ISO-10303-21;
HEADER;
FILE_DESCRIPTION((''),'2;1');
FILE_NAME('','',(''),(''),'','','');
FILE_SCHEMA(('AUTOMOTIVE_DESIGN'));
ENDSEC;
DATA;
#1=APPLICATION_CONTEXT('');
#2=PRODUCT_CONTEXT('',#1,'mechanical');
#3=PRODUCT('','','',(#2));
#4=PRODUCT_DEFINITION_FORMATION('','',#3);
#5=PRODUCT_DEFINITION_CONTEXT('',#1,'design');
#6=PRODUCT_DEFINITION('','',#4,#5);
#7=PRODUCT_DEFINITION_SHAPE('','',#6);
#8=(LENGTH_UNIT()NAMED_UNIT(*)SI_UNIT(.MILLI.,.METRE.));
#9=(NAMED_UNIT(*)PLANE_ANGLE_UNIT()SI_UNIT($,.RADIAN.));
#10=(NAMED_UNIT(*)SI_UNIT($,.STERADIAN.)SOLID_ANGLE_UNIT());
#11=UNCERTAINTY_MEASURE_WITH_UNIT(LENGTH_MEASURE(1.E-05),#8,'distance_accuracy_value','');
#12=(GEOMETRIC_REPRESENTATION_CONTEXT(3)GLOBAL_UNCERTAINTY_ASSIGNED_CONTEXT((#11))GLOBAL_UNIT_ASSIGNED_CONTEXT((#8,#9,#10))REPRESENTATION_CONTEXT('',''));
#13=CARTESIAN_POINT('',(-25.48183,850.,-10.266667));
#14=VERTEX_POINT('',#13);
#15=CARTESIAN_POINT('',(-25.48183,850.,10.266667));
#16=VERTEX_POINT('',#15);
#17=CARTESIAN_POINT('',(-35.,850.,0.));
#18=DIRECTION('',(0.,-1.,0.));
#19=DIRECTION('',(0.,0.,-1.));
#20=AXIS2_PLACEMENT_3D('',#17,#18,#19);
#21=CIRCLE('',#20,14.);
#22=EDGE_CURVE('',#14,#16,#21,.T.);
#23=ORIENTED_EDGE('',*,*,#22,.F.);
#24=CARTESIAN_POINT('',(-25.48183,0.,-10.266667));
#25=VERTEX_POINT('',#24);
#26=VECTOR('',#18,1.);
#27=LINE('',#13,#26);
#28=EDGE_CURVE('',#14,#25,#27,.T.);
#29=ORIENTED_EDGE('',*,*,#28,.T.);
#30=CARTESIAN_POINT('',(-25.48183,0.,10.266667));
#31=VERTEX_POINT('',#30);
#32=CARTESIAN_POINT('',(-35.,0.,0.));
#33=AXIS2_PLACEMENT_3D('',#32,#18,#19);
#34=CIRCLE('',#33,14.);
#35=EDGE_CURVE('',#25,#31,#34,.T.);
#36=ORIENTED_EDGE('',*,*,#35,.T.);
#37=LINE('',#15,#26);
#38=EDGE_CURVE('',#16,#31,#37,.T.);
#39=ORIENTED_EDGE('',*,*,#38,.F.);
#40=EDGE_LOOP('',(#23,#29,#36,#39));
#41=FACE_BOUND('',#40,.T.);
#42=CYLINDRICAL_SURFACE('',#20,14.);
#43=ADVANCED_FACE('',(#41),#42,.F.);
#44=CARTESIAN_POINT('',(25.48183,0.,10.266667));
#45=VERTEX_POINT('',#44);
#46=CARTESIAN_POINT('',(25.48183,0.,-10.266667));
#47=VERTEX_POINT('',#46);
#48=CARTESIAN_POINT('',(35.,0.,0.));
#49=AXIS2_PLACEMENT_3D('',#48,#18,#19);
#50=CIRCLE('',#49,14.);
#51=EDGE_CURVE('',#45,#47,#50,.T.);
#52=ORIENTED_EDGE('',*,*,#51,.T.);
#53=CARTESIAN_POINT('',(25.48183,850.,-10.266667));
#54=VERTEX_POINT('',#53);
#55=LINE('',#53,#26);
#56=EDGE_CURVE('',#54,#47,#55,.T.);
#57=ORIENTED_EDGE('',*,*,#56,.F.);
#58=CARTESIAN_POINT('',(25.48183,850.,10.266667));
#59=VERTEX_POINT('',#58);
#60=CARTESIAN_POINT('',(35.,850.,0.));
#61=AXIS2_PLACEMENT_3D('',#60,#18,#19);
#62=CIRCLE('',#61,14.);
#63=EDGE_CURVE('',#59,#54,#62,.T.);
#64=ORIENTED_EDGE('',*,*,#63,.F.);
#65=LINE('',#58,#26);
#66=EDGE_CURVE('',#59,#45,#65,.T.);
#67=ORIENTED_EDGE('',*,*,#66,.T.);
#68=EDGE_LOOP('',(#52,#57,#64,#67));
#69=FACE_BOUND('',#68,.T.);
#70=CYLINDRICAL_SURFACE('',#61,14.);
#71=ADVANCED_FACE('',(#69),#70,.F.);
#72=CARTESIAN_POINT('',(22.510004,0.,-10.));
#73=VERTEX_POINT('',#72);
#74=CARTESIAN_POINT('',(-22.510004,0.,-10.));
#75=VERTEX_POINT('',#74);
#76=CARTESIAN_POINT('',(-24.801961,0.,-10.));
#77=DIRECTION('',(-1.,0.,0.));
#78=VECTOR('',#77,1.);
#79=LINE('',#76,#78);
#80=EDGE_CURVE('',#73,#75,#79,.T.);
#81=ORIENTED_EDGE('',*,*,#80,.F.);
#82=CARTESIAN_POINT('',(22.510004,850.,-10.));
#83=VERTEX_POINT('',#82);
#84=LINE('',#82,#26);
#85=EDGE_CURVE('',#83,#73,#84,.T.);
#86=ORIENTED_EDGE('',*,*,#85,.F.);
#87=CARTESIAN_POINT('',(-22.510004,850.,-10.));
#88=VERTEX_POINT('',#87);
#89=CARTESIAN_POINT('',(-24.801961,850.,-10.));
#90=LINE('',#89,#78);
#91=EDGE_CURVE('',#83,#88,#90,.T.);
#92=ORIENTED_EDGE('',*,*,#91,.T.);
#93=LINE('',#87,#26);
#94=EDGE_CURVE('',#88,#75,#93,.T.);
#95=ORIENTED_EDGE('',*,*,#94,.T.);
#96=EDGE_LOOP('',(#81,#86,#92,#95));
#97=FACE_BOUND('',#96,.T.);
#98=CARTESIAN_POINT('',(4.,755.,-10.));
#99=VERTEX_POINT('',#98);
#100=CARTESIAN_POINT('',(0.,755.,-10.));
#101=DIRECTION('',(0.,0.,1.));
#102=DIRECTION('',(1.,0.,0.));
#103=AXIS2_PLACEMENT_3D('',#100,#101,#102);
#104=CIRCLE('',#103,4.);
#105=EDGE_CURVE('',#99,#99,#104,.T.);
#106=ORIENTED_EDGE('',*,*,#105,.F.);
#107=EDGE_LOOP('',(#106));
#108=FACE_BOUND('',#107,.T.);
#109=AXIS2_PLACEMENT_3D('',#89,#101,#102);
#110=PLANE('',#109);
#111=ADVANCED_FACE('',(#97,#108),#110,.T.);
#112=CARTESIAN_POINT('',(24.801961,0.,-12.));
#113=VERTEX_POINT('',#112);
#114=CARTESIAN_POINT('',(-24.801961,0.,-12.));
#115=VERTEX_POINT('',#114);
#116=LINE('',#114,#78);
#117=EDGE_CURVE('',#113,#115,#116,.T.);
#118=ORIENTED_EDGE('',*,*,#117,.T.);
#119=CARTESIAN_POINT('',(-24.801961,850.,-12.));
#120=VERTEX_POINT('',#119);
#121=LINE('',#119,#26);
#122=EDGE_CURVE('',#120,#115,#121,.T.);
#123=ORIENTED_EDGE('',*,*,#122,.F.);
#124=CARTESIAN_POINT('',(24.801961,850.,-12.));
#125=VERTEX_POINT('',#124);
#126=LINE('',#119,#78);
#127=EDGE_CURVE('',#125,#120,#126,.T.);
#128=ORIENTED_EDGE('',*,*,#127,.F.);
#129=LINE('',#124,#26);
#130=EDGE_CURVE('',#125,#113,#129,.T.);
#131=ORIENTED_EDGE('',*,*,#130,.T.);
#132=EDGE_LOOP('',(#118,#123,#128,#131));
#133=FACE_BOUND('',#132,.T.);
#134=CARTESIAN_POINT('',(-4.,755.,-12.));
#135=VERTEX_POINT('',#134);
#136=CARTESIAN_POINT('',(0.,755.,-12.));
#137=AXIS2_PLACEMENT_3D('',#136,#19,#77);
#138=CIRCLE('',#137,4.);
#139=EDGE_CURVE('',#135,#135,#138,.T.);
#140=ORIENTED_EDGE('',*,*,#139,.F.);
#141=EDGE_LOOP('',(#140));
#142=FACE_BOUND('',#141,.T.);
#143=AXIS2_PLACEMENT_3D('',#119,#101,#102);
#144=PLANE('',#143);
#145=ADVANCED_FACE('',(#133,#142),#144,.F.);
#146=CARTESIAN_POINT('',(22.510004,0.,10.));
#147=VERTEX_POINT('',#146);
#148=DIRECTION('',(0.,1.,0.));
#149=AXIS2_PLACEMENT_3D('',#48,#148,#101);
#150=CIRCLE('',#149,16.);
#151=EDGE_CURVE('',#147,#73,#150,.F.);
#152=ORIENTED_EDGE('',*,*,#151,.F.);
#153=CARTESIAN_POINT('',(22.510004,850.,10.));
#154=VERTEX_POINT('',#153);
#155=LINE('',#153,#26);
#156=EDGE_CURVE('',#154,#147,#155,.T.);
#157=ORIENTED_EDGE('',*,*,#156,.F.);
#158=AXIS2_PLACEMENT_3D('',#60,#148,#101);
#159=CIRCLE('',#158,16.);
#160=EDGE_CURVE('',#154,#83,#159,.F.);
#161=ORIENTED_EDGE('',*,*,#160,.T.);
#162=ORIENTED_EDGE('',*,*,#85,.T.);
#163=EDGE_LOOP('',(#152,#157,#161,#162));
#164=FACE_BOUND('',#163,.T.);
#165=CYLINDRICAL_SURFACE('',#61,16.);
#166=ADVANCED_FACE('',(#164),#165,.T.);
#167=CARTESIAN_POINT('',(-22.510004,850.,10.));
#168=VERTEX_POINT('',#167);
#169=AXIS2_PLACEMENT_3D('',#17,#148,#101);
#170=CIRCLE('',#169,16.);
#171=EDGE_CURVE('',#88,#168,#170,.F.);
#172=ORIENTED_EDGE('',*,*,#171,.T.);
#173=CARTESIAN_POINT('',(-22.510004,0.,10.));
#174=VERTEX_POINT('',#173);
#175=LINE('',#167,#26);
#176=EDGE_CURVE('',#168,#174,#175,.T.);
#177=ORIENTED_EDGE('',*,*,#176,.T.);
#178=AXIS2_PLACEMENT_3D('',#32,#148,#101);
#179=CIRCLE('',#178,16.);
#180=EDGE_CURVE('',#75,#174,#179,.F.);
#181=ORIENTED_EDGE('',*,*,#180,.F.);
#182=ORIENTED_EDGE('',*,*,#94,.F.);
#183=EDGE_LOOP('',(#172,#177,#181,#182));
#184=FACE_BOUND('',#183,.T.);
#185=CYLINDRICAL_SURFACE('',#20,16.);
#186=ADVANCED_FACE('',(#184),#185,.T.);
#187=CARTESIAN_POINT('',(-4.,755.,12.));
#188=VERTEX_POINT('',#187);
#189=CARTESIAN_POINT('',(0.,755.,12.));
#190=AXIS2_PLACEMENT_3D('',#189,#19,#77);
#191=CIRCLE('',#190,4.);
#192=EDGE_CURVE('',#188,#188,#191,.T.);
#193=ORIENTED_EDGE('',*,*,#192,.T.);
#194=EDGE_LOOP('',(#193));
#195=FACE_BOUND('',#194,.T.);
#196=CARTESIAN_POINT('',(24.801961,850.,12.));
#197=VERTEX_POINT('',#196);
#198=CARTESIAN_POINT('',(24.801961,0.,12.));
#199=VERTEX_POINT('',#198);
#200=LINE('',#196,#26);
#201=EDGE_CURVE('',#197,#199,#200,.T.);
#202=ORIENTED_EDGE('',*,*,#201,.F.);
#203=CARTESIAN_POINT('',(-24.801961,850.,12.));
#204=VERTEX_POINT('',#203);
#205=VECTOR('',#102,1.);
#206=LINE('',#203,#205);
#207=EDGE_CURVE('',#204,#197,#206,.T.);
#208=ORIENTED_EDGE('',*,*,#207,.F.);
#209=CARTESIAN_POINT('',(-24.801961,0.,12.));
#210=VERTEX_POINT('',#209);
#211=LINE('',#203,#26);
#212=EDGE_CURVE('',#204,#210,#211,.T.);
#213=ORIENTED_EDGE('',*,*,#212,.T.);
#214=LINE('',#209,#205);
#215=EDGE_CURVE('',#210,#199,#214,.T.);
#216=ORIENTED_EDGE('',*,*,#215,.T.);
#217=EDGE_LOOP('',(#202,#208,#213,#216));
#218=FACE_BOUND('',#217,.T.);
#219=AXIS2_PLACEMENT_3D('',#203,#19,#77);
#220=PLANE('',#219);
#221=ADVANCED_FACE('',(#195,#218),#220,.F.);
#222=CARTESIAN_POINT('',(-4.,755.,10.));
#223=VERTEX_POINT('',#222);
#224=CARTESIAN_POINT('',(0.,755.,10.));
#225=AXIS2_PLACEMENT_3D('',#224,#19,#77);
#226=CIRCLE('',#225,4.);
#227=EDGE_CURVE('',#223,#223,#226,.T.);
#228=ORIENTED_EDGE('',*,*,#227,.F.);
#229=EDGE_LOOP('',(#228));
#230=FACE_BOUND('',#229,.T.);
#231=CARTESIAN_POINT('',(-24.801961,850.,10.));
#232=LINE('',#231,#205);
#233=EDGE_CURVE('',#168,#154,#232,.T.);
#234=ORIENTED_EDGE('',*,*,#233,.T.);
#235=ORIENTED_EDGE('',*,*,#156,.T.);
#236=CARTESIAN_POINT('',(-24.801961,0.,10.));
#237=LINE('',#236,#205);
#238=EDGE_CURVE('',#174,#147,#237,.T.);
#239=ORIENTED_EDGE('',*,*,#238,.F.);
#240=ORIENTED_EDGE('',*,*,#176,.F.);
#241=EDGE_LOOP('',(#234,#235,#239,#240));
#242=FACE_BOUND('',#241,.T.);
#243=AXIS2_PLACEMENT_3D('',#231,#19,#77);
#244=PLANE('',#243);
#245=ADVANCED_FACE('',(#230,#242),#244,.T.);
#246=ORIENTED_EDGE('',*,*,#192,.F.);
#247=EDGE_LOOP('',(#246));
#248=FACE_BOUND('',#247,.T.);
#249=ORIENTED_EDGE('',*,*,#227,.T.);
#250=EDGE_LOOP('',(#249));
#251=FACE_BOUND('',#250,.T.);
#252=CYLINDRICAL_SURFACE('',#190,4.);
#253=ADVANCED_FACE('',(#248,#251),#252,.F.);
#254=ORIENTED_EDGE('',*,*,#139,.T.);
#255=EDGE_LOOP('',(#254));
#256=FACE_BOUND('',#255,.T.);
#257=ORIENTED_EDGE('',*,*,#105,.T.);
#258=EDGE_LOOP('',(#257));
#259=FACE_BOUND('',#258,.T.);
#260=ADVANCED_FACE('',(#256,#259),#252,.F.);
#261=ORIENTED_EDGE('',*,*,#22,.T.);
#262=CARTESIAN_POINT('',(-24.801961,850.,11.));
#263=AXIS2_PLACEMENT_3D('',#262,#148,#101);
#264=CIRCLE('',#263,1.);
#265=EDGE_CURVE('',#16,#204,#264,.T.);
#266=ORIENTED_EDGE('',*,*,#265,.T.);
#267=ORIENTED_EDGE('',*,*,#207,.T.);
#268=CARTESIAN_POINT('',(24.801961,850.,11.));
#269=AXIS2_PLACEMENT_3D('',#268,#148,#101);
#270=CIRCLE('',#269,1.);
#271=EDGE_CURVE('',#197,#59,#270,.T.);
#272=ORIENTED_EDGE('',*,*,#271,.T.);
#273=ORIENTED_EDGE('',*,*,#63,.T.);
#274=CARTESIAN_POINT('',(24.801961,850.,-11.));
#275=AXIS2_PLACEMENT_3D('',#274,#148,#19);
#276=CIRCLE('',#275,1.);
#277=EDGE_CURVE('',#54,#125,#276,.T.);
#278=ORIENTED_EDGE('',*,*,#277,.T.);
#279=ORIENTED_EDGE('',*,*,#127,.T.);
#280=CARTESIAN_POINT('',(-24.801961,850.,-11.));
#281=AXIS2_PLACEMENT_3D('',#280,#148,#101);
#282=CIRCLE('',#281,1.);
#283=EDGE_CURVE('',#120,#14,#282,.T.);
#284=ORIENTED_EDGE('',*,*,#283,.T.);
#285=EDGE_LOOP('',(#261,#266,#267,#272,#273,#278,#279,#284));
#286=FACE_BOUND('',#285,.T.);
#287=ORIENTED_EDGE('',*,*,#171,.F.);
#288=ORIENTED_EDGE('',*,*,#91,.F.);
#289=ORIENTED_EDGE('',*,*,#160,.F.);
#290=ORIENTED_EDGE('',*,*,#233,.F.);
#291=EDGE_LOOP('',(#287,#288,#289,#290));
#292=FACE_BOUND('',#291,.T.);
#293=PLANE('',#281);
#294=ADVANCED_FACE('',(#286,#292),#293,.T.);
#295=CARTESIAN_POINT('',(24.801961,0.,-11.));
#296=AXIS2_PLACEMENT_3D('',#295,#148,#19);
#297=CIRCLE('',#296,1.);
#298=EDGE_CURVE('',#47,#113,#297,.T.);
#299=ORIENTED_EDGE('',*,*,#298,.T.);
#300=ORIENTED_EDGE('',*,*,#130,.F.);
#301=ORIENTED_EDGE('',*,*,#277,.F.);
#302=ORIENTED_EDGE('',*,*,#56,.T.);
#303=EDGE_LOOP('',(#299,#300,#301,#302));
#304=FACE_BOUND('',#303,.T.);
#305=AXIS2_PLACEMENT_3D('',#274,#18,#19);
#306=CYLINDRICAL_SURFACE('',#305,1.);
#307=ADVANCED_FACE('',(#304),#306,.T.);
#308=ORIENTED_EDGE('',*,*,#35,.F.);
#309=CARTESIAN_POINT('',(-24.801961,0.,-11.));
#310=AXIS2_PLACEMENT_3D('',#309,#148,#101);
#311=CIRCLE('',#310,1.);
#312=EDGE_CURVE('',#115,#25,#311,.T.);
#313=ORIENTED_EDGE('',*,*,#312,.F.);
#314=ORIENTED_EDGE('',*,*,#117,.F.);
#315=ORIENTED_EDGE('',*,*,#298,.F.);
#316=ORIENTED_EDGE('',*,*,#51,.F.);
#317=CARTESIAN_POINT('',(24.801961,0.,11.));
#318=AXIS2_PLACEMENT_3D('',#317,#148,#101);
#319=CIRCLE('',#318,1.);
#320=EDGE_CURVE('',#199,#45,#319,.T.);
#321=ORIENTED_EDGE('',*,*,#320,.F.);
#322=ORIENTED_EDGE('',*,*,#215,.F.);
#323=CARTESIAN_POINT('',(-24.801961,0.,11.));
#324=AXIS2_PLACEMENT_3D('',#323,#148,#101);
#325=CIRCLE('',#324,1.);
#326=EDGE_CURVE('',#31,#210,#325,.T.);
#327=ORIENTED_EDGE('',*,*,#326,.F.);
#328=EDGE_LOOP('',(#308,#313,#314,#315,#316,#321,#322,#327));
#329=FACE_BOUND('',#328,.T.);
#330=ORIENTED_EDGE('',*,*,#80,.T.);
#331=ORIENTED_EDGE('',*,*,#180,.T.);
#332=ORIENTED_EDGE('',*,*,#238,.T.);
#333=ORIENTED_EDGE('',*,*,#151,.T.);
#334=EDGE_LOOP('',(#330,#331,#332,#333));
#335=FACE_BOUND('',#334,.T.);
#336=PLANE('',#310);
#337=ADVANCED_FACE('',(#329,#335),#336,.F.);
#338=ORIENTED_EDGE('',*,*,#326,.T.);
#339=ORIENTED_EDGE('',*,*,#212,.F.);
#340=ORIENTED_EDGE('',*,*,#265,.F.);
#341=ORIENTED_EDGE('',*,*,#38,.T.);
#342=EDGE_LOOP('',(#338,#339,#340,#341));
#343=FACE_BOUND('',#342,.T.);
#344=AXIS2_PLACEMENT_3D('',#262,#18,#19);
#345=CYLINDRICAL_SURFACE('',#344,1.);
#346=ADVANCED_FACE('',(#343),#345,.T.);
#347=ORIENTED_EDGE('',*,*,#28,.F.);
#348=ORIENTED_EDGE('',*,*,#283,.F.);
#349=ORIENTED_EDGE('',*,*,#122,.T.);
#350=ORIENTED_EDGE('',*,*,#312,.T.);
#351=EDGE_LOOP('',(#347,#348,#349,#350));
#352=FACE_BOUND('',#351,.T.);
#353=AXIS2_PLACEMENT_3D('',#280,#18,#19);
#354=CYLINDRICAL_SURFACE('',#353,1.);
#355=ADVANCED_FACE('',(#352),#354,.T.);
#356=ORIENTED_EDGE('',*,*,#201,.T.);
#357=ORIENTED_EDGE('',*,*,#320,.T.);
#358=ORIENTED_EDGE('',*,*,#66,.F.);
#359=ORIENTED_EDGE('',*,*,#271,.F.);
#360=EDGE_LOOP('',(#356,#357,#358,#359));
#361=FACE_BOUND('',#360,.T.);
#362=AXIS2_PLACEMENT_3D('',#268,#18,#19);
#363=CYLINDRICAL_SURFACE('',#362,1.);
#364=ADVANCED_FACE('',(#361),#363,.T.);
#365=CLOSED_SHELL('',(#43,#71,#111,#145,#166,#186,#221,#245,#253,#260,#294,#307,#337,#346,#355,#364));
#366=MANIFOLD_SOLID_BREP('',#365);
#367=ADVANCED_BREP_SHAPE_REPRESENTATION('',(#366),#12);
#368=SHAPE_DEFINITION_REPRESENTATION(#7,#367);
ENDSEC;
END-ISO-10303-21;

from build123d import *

# Parameters (mm, degrees)
BOSS_EXTRUDE1_DEPTH = 850
SHELL1_T            = -2
SKETCH2_R           = 4
CUT_EXTRUDE1_DEPTH  = 851.730122418


with BuildPart() as part:
    # Sketch1 → Boss-Extrude1 (new body)
    with BuildSketch(Plane(origin=(0, 0, 0), x_dir=(1, 0, 0), z_dir=(0, 1, 0))):
        with BuildLine():
            Line((-24.801960973, -12), (24.801960973, -12))
            ThreePointArc((24.801960973, -12), (25.732910309, -11.365148372), (25.481830241, -10.266666667))
            ThreePointArc((25.481830241, -10.266666667), (21, 0), (25.481830241, 10.266666667))
            ThreePointArc((25.481830241, 10.266666667), (25.732910309, 11.365148372), (24.801960973, 12))
            Line((24.801960973, 12), (-24.801960973, 12))
            ThreePointArc((-24.801960973, 12), (-25.732910309, 11.365148372), (-25.481830241, 10.266666667))
            ThreePointArc((-25.481830241, 10.266666667), (-21, 0), (-25.481830241, -10.266666667))
            ThreePointArc((-25.481830241, -10.266666667), (-25.732910309, -11.365148372), (-24.801960973, -12))
        make_face()
    extrude(amount=BOSS_EXTRUDE1_DEPTH)

    # Shell1
    shell1_openings = [part.faces().sort_by_distance(p)[0] for p in [
        (0, 850, 0),
        (0, 0, 0),
    ]]
    offset(amount=SHELL1_T, openings=shell1_openings, kind=Kind.INTERSECTION)

    # Sketch2 → Cut-Extrude1 (cut, through all)
    with BuildSketch(Plane(origin=(0, 0, -12), x_dir=(-1, 0, 0), z_dir=(0, 0, -1))):
        with Locations((0, 755)):
            Circle(SKETCH2_R)
    extrude(amount=-CUT_EXTRUDE1_DEPTH, mode=Mode.SUBTRACT)


solid = part.part
